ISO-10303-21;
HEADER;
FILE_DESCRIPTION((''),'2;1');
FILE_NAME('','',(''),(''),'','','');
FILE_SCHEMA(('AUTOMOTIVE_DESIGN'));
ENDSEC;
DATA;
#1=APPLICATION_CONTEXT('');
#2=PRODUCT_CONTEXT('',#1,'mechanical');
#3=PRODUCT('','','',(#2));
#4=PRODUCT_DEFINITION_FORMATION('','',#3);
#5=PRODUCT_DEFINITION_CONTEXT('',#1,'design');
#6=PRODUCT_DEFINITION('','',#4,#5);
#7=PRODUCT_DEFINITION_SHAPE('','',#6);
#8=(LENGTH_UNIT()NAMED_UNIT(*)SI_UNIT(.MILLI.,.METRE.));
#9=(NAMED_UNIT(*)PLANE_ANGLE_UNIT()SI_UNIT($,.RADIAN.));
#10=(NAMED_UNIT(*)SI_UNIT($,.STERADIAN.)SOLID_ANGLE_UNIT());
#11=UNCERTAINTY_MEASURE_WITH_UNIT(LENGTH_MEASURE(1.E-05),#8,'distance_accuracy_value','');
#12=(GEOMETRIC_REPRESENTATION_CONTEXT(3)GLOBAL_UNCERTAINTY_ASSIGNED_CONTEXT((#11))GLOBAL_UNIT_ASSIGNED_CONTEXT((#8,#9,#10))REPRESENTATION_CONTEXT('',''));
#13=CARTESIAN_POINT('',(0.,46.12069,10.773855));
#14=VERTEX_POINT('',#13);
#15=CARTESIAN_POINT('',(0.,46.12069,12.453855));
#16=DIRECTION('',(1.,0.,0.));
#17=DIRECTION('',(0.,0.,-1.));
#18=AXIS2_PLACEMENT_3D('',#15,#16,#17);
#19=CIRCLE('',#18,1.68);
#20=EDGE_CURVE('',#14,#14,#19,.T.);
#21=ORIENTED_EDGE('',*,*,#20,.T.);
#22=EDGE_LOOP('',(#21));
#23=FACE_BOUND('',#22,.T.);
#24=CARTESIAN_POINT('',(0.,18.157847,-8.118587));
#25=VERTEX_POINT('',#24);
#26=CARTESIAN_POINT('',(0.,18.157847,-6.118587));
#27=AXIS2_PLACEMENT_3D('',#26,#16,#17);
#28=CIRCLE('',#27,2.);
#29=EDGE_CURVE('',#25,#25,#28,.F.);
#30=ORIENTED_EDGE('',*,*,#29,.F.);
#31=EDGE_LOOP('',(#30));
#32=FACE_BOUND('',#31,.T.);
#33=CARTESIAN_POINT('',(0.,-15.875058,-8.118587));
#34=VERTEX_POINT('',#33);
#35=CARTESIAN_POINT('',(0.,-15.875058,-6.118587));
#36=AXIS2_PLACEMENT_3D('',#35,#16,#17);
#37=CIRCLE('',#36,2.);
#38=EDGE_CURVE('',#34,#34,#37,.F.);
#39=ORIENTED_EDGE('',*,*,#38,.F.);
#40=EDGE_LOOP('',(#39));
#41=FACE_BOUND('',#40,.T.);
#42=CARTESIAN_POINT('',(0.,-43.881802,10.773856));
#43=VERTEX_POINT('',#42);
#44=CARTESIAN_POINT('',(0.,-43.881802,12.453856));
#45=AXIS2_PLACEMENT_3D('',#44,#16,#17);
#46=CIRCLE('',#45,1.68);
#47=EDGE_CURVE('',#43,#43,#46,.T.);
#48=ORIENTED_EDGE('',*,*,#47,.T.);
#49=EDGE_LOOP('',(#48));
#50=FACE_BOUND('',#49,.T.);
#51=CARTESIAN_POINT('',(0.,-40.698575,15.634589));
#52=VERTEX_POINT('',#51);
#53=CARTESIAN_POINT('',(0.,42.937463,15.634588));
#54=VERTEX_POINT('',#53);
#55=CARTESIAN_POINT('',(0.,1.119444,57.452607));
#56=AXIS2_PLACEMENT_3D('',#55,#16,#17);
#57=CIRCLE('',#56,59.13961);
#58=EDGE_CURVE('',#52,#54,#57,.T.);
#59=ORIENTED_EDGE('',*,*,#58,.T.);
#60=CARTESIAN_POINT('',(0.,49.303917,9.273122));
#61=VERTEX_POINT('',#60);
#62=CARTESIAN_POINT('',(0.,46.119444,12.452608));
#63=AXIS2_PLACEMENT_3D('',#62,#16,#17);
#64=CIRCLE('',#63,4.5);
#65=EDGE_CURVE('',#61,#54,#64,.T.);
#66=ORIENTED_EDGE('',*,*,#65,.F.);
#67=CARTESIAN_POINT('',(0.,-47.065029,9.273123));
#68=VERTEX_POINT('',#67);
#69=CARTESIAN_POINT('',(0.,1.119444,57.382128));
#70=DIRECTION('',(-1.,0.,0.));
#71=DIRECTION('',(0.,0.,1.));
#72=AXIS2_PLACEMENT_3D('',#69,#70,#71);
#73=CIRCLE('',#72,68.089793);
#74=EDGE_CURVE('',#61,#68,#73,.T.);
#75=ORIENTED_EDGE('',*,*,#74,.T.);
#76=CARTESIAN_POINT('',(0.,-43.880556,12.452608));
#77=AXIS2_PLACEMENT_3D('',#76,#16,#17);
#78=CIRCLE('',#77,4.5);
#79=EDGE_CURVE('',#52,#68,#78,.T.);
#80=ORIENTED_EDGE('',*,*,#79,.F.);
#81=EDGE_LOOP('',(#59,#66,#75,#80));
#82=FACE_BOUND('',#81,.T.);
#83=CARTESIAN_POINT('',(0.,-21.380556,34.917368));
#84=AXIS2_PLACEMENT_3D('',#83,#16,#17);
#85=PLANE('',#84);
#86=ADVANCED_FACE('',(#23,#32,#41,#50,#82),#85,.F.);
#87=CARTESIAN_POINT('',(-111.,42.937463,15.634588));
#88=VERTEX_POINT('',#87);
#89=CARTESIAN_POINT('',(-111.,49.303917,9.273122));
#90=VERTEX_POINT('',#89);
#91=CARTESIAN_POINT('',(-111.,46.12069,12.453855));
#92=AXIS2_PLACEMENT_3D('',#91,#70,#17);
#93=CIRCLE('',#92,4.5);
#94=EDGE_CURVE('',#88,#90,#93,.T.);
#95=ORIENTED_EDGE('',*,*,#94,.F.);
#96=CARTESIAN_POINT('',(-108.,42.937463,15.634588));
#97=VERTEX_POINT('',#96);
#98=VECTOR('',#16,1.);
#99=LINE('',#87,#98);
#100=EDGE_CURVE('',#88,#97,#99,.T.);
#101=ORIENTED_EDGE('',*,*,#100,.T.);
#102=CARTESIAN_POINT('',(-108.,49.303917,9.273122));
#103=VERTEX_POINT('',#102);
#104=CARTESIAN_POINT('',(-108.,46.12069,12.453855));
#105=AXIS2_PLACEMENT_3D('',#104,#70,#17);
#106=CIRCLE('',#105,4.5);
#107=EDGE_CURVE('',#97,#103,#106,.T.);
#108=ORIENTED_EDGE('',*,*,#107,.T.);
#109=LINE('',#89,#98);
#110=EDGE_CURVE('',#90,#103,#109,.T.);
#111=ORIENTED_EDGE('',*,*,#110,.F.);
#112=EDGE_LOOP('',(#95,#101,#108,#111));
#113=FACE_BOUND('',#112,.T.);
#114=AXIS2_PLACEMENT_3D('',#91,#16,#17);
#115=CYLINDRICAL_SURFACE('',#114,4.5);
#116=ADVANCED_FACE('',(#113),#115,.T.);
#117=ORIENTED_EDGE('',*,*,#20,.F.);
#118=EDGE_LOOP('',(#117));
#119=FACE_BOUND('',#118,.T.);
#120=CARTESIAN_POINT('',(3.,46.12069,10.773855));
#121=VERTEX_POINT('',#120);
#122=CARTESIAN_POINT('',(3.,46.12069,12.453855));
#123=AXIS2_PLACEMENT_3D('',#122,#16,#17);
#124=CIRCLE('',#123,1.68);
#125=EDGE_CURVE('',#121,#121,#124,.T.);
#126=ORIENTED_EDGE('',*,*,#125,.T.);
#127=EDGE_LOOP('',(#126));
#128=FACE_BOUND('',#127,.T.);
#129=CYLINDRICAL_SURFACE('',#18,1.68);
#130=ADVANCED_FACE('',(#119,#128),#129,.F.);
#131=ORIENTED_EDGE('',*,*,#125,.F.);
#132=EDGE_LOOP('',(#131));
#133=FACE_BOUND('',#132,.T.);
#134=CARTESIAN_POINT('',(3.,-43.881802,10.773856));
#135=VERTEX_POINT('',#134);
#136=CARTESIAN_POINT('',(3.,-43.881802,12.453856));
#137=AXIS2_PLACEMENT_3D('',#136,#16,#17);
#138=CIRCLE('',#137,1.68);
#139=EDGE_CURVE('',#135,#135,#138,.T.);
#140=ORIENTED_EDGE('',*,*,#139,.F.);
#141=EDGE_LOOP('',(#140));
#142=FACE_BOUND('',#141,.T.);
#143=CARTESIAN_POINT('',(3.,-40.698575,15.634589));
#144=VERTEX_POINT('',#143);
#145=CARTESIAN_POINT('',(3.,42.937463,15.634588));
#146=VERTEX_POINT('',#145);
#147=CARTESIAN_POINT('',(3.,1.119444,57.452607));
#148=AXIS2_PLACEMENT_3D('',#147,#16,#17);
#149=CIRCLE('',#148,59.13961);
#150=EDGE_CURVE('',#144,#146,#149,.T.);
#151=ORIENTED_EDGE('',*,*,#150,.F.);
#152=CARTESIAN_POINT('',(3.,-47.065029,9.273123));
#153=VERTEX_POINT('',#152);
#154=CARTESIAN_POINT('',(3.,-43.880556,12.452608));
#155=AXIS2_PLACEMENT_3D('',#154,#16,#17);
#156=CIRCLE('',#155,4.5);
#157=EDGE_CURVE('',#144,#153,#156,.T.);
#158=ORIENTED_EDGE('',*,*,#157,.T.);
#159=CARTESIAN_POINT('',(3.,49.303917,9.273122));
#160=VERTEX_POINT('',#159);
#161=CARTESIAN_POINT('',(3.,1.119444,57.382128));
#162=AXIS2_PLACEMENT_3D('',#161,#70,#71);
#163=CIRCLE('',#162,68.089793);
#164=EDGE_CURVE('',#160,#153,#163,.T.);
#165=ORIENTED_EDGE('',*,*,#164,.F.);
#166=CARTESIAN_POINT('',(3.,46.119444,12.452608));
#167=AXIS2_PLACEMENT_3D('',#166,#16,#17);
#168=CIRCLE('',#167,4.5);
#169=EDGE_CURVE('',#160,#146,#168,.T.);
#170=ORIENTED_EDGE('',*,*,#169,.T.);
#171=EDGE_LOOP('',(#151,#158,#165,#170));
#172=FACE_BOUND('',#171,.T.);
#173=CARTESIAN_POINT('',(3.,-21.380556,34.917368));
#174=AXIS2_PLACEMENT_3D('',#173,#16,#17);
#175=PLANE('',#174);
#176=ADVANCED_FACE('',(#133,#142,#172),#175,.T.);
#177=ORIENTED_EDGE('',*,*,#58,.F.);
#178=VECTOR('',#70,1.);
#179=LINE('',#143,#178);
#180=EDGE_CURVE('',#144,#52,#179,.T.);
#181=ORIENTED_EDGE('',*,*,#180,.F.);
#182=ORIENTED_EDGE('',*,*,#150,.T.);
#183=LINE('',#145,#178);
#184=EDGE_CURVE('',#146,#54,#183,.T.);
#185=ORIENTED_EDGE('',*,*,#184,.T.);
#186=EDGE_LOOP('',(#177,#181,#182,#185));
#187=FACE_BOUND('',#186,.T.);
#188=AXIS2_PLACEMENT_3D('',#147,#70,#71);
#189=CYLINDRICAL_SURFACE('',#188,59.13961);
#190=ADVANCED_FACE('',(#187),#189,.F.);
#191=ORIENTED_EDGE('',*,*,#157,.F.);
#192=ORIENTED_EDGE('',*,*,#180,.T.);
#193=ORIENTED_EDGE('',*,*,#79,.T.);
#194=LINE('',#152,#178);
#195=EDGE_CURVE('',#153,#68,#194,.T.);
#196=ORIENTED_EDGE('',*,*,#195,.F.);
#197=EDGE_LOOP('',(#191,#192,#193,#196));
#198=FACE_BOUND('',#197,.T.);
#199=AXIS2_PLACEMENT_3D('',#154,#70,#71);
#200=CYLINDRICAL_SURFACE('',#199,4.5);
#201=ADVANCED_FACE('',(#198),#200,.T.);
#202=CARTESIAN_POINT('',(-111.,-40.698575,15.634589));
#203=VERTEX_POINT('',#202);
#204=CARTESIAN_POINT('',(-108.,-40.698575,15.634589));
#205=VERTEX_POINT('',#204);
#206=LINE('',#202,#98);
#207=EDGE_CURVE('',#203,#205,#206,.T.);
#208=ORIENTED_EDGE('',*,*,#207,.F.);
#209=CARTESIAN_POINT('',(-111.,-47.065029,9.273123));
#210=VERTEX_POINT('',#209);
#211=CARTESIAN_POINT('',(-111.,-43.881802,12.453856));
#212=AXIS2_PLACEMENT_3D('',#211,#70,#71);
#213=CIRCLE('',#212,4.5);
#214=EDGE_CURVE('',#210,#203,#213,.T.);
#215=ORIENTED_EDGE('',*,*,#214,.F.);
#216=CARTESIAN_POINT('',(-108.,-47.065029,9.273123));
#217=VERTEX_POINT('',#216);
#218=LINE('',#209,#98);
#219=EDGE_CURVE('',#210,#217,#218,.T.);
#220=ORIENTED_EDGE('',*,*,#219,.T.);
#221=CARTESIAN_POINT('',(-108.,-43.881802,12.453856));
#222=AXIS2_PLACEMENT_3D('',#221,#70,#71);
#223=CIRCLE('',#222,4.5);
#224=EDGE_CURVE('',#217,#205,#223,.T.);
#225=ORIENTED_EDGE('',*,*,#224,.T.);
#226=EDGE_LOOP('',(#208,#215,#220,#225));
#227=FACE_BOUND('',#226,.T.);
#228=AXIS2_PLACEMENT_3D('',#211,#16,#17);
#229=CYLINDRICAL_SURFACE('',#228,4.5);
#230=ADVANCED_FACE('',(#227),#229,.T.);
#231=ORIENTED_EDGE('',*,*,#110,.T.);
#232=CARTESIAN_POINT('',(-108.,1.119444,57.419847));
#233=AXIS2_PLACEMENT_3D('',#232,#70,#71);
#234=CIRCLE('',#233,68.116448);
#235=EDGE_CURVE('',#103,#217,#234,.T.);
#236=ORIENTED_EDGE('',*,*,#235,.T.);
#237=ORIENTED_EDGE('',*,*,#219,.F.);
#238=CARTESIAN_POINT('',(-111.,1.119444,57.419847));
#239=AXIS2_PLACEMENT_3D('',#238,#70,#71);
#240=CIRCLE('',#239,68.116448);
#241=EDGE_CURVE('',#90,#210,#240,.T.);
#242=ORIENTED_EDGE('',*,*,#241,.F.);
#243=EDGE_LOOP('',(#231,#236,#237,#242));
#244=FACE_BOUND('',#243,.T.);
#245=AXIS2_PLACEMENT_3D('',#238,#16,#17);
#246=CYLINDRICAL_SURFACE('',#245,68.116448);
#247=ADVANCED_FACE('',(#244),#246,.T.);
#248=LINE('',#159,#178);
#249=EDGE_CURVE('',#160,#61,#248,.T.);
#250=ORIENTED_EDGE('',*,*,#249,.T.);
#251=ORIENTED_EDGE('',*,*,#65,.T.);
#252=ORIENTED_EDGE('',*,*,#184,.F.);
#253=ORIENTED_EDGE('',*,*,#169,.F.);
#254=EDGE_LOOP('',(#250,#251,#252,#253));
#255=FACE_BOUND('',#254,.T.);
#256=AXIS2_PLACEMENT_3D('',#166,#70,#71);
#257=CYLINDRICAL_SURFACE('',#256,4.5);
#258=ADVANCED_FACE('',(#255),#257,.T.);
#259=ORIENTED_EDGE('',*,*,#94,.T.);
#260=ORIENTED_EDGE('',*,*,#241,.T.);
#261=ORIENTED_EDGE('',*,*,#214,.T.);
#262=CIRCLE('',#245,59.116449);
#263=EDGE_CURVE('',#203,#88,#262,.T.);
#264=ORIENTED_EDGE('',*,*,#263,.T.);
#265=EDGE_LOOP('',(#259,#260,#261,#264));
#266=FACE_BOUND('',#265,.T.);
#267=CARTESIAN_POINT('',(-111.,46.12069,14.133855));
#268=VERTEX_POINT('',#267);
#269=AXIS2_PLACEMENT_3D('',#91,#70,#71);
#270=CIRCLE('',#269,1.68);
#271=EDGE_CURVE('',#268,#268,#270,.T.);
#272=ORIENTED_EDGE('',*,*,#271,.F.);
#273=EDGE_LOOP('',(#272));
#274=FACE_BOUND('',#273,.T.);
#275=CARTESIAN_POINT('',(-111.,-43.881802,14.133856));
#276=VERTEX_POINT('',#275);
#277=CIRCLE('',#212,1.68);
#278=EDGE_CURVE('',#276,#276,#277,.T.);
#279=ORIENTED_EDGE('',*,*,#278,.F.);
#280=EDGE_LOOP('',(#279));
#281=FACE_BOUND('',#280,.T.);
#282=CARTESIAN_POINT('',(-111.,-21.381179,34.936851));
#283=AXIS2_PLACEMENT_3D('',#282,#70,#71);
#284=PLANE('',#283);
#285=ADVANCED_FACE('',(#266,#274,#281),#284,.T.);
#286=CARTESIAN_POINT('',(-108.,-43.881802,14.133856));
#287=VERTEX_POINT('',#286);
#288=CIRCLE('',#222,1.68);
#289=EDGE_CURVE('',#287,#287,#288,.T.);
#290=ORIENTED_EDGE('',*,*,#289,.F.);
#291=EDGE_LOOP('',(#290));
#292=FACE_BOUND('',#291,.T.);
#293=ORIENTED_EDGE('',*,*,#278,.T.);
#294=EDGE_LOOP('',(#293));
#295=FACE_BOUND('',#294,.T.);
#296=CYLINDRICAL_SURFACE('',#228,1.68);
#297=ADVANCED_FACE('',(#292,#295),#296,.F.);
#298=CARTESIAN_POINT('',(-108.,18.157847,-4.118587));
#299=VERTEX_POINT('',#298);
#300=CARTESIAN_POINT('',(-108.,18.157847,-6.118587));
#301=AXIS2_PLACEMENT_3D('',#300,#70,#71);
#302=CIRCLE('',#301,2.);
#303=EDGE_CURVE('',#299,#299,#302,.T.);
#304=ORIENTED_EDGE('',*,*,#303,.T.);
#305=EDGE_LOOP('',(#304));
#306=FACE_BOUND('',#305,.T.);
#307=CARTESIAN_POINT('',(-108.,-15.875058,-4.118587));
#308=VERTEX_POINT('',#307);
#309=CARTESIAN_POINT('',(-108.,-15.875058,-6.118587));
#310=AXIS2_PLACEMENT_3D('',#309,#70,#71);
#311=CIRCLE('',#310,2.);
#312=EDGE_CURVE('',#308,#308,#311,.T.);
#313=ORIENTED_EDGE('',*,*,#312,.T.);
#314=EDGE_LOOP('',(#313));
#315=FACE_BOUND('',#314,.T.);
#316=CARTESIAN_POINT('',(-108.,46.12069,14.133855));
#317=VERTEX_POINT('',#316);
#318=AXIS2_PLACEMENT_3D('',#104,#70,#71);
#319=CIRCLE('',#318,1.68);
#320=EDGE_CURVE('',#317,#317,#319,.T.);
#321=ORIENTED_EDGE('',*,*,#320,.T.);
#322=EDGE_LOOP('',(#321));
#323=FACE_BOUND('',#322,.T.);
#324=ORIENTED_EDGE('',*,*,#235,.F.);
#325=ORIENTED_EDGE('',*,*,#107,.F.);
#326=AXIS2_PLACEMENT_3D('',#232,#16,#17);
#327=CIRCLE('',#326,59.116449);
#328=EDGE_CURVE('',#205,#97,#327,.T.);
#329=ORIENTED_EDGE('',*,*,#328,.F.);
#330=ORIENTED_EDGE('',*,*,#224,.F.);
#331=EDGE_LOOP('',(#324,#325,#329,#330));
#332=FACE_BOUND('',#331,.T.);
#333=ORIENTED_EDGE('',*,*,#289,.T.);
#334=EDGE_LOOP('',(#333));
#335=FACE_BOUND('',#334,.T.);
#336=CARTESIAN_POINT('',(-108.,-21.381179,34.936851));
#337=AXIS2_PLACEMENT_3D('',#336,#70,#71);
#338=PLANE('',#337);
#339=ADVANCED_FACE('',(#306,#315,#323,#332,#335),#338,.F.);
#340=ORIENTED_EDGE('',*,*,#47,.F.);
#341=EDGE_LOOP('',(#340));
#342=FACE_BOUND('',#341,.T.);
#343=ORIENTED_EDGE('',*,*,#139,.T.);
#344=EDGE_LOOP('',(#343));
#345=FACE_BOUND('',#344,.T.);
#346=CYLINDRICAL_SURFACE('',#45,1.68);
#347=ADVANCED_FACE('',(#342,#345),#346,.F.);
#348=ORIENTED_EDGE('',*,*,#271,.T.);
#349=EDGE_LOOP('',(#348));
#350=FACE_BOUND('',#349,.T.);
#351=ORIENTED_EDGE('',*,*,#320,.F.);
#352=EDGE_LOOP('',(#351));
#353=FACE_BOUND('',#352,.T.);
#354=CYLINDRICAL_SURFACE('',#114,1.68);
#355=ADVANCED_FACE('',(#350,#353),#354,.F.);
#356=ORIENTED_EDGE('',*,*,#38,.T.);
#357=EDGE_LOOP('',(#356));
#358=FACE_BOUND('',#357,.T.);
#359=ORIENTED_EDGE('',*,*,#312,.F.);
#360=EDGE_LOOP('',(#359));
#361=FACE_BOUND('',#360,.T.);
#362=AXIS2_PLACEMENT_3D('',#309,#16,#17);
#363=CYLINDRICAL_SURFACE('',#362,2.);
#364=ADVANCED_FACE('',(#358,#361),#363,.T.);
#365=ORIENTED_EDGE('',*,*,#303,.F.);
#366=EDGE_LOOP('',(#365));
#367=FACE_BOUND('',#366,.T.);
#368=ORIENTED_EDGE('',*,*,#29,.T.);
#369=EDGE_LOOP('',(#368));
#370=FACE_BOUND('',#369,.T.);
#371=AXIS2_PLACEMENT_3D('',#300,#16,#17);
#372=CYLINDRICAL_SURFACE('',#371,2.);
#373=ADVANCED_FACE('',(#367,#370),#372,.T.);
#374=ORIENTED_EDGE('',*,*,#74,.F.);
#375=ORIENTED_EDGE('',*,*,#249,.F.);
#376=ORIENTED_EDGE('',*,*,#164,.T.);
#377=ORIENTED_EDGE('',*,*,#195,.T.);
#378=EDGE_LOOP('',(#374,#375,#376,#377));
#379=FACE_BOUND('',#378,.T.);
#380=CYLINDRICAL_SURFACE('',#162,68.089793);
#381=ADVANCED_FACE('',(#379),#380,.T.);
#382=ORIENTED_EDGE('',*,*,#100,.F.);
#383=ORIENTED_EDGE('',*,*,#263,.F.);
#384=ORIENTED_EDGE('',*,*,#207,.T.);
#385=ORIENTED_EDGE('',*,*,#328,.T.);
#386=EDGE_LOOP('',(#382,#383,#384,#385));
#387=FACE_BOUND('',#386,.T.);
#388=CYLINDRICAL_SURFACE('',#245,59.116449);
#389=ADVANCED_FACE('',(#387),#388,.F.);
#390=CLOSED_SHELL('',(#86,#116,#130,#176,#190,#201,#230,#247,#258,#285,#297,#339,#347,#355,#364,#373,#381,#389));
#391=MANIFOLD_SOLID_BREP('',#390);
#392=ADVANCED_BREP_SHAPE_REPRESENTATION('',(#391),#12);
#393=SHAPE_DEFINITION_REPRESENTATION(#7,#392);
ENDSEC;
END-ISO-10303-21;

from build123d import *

# Parameters (mm, degrees)
BOSS_EXTRUDE1_DEPTH  = 3
SKETCH4_R            = 1.68
CUT_EXTRUDE1_DEPTH   = 54.466990195
SKETCH2_R            = 2
BOSS_EXTRUDE11_DEPTH = 108
SKETCH8_R            = 1.68
BOSS_EXTRUDE12_DEPTH = 3


with BuildPart() as part:
    # Sketch1 → Boss-Extrude1 (new body)
    with BuildSketch(Plane(origin=(0, 0, 0), x_dir=(0, 0, -1), z_dir=(1, 0, 0))):
        with BuildLine():
            ThreePointArc((-15.634588923, -40.698575462), (-15.635835692, -47.061289367), (-9.273122764, -47.06502941))
            ThreePointArc((-9.273122764, -47.06502941), (10.707664933, 1.119443717), (-9.273121767, 49.303917257))
            ThreePointArc((-9.273121767, 49.303917257), (-15.635834695, 49.300177346), (-15.634588058, 42.937463441))
            ThreePointArc((-15.634588058, 42.937463441), (1.687002572, 1.11944381), (-15.634588923, -40.698575462))
        make_face()
    extrude(amount=BOSS_EXTRUDE1_DEPTH)

    # Sketch4 → Cut-Extrude1 (cut, through all)
    with BuildSketch(Plane(origin=(3, 0, 0), x_dir=(0, 0, -1), z_dir=(1, 0, 0))):
        with Locations((-12.453854912, 46.120690349)):
            Circle(SKETCH4_R)
        with Locations((-12.453855844, -43.881802436)):
            Circle(SKETCH4_R)
    extrude(amount=-CUT_EXTRUDE1_DEPTH, mode=Mode.SUBTRACT)

    # Sketch2 → Boss-Extrude11 (add)
    with BuildSketch(Plane.ZY):
        with Locations(Location((-6.118587434, 18.157847035, 0), (0, 0, 180))):
            Circle(SKETCH2_R)
        with Locations(Location((-6.118587434, -15.875057848, 0), (0, 0, 180))):
            Circle(SKETCH2_R)
    extrude(amount=BOSS_EXTRUDE11_DEPTH)

    # Sketch8 → Boss-Extrude12 (add)
    with BuildSketch(Plane.ZY.offset(108)):
        with BuildLine():
            ThreePointArc((9.273121767, 49.303917257), (15.63708182, 49.301423495), (15.634588058, 42.937463441))
            ThreePointArc((15.634588058, 42.937463441), (-1.696602448, 1.11944381), (15.634588923, -40.698575462))
            ThreePointArc((15.634588923, -40.698575462), (15.637082818, -47.062535516), (9.273122764, -47.06502941))
            ThreePointArc((9.273122764, -47.06502941), (-10.696601757, 1.119443717), (9.273121767, 49.303917257))
        make_face()
        with Locations(Location((12.453854912, 46.120690349, 0), (0, 0, 180))):
            Circle(SKETCH8_R, mode=Mode.SUBTRACT)
        with Locations(Location((12.453855844, -43.881802436, 0), (0, 0, 180))):
            Circle(SKETCH8_R, mode=Mode.SUBTRACT)
    extrude(amount=BOSS_EXTRUDE12_DEPTH)


solid = part.part
